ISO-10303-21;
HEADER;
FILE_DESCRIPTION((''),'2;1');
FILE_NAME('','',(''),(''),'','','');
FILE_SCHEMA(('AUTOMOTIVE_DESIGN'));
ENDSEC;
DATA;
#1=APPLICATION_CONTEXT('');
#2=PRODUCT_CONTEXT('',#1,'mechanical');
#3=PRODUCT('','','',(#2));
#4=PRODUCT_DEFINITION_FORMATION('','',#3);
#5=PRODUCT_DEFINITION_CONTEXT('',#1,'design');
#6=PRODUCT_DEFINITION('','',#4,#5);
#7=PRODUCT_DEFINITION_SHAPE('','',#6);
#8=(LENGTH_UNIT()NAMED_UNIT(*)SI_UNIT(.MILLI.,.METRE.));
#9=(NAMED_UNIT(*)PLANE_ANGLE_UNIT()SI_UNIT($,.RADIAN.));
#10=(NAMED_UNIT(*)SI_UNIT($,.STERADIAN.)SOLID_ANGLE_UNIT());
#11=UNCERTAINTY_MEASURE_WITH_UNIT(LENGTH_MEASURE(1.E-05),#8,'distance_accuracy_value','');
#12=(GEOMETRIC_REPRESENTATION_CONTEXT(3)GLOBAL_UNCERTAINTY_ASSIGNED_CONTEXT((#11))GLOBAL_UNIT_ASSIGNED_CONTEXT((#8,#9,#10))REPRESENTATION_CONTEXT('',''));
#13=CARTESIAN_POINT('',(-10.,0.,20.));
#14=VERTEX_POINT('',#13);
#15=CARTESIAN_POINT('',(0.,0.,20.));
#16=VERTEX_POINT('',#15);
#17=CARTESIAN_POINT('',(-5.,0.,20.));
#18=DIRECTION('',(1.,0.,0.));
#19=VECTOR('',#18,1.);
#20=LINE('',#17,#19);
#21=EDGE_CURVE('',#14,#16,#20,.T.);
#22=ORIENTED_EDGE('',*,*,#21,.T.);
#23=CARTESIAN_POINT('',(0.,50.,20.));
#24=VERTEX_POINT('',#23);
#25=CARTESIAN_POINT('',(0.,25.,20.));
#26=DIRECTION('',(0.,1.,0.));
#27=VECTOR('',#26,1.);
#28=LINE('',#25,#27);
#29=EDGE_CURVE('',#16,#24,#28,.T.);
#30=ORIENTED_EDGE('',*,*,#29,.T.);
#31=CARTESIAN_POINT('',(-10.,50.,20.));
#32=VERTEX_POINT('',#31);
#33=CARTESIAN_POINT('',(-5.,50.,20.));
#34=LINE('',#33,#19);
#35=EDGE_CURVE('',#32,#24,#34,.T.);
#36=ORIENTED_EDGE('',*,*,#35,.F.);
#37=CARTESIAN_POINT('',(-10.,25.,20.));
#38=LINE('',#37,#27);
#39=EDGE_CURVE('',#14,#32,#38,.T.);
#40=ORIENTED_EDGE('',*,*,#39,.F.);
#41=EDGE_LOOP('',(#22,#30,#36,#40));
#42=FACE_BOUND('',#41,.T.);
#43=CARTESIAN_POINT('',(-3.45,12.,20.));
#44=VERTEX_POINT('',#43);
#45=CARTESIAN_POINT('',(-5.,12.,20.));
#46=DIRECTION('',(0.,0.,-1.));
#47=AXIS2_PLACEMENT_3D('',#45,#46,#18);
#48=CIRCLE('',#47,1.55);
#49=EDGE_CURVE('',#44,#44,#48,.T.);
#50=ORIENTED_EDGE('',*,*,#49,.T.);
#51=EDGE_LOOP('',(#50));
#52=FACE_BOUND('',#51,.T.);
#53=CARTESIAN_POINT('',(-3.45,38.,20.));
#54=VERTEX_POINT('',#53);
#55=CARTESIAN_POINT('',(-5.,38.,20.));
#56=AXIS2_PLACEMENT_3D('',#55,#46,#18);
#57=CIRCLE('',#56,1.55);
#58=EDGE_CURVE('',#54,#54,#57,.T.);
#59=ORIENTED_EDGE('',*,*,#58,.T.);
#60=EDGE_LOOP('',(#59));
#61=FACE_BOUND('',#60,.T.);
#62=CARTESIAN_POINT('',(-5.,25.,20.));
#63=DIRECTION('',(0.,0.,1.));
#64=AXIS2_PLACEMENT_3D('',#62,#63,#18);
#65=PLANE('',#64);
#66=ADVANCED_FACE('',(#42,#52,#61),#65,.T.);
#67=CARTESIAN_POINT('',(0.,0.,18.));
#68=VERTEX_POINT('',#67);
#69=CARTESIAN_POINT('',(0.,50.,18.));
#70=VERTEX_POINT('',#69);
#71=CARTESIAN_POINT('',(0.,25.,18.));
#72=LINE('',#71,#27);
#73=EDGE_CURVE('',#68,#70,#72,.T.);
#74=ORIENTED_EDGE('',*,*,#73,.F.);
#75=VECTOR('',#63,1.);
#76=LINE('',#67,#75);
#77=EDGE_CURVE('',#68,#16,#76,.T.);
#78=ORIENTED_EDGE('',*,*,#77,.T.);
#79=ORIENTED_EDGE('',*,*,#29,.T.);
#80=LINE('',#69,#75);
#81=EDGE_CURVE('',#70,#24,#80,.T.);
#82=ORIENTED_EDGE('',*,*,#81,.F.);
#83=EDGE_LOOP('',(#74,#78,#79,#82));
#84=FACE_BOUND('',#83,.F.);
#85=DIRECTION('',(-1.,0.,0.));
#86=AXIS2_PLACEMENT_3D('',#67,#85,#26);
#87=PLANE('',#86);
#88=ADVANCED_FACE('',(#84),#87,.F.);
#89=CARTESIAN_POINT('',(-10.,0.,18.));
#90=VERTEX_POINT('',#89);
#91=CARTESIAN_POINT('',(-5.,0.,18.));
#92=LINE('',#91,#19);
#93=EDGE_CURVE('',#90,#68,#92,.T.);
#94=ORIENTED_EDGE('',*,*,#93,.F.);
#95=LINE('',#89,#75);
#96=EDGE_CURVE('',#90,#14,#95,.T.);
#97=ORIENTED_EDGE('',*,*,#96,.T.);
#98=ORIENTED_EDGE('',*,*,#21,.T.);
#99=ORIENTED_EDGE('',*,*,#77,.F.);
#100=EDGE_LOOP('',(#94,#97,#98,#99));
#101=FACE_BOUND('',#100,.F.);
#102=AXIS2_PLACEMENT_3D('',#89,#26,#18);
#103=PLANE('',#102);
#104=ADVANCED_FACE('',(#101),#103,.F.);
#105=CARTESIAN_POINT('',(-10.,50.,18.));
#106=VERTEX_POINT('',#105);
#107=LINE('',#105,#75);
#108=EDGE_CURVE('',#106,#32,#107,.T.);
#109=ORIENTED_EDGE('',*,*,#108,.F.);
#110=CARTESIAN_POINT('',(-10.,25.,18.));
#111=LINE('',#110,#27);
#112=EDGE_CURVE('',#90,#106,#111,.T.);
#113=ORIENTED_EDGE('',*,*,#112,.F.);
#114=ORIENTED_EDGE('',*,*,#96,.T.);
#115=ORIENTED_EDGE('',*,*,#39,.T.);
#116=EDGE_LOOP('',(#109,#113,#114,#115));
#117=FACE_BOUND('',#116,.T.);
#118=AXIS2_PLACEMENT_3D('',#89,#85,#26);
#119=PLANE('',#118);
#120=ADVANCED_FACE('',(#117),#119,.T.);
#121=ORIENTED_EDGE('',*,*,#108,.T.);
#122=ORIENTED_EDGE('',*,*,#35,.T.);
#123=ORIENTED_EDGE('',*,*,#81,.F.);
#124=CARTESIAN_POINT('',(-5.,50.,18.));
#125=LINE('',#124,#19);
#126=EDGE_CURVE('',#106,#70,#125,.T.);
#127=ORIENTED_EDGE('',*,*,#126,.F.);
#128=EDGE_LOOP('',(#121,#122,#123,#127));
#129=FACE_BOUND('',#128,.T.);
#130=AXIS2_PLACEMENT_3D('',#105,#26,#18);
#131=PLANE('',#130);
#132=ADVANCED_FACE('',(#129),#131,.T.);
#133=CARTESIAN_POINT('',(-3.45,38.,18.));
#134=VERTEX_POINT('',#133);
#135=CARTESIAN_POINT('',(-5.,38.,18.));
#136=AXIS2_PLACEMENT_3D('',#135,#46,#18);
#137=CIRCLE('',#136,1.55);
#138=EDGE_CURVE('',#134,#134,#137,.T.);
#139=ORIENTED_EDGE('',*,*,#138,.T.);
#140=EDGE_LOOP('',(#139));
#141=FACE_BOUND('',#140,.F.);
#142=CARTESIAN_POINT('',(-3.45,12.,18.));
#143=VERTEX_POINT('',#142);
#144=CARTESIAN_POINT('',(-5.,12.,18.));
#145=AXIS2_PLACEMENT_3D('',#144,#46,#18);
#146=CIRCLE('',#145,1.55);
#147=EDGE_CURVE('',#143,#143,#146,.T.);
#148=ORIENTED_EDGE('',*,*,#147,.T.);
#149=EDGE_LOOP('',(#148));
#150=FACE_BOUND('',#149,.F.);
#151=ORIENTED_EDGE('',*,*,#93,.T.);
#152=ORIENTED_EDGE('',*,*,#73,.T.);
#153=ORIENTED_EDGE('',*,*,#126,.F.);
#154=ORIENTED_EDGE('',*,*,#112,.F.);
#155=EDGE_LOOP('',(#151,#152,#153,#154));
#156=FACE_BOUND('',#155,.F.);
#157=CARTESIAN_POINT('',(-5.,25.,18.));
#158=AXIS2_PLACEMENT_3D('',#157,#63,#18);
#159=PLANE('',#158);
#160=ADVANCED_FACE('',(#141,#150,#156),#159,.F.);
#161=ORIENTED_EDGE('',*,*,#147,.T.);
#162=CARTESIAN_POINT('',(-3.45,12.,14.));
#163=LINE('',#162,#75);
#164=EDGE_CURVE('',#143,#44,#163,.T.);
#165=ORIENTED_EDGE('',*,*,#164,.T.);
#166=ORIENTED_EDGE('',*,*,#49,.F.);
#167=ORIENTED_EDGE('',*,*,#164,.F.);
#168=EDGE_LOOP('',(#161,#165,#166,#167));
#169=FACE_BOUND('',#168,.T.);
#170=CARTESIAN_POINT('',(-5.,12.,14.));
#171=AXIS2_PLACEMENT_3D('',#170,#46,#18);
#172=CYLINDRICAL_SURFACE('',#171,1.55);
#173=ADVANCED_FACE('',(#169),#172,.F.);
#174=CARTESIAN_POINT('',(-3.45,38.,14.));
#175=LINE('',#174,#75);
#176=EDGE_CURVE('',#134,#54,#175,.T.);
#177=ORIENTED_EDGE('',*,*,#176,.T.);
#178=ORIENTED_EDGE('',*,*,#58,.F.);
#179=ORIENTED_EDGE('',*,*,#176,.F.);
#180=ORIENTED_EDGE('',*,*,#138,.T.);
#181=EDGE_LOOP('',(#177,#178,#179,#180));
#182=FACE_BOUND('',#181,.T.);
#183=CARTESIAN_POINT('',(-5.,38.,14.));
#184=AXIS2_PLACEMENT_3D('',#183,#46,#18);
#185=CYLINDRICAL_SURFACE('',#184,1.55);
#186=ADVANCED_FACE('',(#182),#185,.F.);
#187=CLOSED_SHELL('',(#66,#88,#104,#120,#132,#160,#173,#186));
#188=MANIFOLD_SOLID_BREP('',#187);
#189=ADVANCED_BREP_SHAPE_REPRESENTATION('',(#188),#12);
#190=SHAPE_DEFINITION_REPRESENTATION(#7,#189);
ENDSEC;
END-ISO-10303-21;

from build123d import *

# Parameters (mm, degrees)
CYLINDER007_R     = 1.55
CYLINDER007_DEPTH = 10
CYLINDER006_R     = 1.55
CYLINDER006_DEPTH = 10
BOX003_W          = 10
BOX003_H          = 50
BOX003_DEPTH      = 2


with BuildPart() as cylinder007:
    # Cylinder007 → Cylinder007 (new body)
    with BuildSketch(Plane(origin=(-5, 38, 14), x_dir=(1, 0, 0), z_dir=(0, 0, 1))):
        Circle(CYLINDER007_R)
    extrude(amount=CYLINDER007_DEPTH)


with BuildPart() as cylinder006:
    # Cylinder006 → Cylinder006 (new body)
    with BuildSketch(Plane(origin=(-5, 12, 14), x_dir=(1, 0, 0), z_dir=(0, 0, 1))):
        Circle(CYLINDER006_R)
    extrude(amount=CYLINDER006_DEPTH)


with BuildPart() as lip018:
    # Box003 → Box003 (new body)
    with BuildSketch(Plane(origin=(-10, 0, 18), x_dir=(1, 0, 0), z_dir=(0, 0, 1))):
        with Locations((5, 25)):
            Rectangle(BOX003_W, BOX003_H)
    extrude(amount=BOX003_DEPTH)

    # Cut006: cut Cylinder006
    add(cylinder006.part, mode=Mode.SUBTRACT)

    # Cut007: cut Cylinder007
    add(cylinder007.part, mode=Mode.SUBTRACT)


solid = lip018.part
